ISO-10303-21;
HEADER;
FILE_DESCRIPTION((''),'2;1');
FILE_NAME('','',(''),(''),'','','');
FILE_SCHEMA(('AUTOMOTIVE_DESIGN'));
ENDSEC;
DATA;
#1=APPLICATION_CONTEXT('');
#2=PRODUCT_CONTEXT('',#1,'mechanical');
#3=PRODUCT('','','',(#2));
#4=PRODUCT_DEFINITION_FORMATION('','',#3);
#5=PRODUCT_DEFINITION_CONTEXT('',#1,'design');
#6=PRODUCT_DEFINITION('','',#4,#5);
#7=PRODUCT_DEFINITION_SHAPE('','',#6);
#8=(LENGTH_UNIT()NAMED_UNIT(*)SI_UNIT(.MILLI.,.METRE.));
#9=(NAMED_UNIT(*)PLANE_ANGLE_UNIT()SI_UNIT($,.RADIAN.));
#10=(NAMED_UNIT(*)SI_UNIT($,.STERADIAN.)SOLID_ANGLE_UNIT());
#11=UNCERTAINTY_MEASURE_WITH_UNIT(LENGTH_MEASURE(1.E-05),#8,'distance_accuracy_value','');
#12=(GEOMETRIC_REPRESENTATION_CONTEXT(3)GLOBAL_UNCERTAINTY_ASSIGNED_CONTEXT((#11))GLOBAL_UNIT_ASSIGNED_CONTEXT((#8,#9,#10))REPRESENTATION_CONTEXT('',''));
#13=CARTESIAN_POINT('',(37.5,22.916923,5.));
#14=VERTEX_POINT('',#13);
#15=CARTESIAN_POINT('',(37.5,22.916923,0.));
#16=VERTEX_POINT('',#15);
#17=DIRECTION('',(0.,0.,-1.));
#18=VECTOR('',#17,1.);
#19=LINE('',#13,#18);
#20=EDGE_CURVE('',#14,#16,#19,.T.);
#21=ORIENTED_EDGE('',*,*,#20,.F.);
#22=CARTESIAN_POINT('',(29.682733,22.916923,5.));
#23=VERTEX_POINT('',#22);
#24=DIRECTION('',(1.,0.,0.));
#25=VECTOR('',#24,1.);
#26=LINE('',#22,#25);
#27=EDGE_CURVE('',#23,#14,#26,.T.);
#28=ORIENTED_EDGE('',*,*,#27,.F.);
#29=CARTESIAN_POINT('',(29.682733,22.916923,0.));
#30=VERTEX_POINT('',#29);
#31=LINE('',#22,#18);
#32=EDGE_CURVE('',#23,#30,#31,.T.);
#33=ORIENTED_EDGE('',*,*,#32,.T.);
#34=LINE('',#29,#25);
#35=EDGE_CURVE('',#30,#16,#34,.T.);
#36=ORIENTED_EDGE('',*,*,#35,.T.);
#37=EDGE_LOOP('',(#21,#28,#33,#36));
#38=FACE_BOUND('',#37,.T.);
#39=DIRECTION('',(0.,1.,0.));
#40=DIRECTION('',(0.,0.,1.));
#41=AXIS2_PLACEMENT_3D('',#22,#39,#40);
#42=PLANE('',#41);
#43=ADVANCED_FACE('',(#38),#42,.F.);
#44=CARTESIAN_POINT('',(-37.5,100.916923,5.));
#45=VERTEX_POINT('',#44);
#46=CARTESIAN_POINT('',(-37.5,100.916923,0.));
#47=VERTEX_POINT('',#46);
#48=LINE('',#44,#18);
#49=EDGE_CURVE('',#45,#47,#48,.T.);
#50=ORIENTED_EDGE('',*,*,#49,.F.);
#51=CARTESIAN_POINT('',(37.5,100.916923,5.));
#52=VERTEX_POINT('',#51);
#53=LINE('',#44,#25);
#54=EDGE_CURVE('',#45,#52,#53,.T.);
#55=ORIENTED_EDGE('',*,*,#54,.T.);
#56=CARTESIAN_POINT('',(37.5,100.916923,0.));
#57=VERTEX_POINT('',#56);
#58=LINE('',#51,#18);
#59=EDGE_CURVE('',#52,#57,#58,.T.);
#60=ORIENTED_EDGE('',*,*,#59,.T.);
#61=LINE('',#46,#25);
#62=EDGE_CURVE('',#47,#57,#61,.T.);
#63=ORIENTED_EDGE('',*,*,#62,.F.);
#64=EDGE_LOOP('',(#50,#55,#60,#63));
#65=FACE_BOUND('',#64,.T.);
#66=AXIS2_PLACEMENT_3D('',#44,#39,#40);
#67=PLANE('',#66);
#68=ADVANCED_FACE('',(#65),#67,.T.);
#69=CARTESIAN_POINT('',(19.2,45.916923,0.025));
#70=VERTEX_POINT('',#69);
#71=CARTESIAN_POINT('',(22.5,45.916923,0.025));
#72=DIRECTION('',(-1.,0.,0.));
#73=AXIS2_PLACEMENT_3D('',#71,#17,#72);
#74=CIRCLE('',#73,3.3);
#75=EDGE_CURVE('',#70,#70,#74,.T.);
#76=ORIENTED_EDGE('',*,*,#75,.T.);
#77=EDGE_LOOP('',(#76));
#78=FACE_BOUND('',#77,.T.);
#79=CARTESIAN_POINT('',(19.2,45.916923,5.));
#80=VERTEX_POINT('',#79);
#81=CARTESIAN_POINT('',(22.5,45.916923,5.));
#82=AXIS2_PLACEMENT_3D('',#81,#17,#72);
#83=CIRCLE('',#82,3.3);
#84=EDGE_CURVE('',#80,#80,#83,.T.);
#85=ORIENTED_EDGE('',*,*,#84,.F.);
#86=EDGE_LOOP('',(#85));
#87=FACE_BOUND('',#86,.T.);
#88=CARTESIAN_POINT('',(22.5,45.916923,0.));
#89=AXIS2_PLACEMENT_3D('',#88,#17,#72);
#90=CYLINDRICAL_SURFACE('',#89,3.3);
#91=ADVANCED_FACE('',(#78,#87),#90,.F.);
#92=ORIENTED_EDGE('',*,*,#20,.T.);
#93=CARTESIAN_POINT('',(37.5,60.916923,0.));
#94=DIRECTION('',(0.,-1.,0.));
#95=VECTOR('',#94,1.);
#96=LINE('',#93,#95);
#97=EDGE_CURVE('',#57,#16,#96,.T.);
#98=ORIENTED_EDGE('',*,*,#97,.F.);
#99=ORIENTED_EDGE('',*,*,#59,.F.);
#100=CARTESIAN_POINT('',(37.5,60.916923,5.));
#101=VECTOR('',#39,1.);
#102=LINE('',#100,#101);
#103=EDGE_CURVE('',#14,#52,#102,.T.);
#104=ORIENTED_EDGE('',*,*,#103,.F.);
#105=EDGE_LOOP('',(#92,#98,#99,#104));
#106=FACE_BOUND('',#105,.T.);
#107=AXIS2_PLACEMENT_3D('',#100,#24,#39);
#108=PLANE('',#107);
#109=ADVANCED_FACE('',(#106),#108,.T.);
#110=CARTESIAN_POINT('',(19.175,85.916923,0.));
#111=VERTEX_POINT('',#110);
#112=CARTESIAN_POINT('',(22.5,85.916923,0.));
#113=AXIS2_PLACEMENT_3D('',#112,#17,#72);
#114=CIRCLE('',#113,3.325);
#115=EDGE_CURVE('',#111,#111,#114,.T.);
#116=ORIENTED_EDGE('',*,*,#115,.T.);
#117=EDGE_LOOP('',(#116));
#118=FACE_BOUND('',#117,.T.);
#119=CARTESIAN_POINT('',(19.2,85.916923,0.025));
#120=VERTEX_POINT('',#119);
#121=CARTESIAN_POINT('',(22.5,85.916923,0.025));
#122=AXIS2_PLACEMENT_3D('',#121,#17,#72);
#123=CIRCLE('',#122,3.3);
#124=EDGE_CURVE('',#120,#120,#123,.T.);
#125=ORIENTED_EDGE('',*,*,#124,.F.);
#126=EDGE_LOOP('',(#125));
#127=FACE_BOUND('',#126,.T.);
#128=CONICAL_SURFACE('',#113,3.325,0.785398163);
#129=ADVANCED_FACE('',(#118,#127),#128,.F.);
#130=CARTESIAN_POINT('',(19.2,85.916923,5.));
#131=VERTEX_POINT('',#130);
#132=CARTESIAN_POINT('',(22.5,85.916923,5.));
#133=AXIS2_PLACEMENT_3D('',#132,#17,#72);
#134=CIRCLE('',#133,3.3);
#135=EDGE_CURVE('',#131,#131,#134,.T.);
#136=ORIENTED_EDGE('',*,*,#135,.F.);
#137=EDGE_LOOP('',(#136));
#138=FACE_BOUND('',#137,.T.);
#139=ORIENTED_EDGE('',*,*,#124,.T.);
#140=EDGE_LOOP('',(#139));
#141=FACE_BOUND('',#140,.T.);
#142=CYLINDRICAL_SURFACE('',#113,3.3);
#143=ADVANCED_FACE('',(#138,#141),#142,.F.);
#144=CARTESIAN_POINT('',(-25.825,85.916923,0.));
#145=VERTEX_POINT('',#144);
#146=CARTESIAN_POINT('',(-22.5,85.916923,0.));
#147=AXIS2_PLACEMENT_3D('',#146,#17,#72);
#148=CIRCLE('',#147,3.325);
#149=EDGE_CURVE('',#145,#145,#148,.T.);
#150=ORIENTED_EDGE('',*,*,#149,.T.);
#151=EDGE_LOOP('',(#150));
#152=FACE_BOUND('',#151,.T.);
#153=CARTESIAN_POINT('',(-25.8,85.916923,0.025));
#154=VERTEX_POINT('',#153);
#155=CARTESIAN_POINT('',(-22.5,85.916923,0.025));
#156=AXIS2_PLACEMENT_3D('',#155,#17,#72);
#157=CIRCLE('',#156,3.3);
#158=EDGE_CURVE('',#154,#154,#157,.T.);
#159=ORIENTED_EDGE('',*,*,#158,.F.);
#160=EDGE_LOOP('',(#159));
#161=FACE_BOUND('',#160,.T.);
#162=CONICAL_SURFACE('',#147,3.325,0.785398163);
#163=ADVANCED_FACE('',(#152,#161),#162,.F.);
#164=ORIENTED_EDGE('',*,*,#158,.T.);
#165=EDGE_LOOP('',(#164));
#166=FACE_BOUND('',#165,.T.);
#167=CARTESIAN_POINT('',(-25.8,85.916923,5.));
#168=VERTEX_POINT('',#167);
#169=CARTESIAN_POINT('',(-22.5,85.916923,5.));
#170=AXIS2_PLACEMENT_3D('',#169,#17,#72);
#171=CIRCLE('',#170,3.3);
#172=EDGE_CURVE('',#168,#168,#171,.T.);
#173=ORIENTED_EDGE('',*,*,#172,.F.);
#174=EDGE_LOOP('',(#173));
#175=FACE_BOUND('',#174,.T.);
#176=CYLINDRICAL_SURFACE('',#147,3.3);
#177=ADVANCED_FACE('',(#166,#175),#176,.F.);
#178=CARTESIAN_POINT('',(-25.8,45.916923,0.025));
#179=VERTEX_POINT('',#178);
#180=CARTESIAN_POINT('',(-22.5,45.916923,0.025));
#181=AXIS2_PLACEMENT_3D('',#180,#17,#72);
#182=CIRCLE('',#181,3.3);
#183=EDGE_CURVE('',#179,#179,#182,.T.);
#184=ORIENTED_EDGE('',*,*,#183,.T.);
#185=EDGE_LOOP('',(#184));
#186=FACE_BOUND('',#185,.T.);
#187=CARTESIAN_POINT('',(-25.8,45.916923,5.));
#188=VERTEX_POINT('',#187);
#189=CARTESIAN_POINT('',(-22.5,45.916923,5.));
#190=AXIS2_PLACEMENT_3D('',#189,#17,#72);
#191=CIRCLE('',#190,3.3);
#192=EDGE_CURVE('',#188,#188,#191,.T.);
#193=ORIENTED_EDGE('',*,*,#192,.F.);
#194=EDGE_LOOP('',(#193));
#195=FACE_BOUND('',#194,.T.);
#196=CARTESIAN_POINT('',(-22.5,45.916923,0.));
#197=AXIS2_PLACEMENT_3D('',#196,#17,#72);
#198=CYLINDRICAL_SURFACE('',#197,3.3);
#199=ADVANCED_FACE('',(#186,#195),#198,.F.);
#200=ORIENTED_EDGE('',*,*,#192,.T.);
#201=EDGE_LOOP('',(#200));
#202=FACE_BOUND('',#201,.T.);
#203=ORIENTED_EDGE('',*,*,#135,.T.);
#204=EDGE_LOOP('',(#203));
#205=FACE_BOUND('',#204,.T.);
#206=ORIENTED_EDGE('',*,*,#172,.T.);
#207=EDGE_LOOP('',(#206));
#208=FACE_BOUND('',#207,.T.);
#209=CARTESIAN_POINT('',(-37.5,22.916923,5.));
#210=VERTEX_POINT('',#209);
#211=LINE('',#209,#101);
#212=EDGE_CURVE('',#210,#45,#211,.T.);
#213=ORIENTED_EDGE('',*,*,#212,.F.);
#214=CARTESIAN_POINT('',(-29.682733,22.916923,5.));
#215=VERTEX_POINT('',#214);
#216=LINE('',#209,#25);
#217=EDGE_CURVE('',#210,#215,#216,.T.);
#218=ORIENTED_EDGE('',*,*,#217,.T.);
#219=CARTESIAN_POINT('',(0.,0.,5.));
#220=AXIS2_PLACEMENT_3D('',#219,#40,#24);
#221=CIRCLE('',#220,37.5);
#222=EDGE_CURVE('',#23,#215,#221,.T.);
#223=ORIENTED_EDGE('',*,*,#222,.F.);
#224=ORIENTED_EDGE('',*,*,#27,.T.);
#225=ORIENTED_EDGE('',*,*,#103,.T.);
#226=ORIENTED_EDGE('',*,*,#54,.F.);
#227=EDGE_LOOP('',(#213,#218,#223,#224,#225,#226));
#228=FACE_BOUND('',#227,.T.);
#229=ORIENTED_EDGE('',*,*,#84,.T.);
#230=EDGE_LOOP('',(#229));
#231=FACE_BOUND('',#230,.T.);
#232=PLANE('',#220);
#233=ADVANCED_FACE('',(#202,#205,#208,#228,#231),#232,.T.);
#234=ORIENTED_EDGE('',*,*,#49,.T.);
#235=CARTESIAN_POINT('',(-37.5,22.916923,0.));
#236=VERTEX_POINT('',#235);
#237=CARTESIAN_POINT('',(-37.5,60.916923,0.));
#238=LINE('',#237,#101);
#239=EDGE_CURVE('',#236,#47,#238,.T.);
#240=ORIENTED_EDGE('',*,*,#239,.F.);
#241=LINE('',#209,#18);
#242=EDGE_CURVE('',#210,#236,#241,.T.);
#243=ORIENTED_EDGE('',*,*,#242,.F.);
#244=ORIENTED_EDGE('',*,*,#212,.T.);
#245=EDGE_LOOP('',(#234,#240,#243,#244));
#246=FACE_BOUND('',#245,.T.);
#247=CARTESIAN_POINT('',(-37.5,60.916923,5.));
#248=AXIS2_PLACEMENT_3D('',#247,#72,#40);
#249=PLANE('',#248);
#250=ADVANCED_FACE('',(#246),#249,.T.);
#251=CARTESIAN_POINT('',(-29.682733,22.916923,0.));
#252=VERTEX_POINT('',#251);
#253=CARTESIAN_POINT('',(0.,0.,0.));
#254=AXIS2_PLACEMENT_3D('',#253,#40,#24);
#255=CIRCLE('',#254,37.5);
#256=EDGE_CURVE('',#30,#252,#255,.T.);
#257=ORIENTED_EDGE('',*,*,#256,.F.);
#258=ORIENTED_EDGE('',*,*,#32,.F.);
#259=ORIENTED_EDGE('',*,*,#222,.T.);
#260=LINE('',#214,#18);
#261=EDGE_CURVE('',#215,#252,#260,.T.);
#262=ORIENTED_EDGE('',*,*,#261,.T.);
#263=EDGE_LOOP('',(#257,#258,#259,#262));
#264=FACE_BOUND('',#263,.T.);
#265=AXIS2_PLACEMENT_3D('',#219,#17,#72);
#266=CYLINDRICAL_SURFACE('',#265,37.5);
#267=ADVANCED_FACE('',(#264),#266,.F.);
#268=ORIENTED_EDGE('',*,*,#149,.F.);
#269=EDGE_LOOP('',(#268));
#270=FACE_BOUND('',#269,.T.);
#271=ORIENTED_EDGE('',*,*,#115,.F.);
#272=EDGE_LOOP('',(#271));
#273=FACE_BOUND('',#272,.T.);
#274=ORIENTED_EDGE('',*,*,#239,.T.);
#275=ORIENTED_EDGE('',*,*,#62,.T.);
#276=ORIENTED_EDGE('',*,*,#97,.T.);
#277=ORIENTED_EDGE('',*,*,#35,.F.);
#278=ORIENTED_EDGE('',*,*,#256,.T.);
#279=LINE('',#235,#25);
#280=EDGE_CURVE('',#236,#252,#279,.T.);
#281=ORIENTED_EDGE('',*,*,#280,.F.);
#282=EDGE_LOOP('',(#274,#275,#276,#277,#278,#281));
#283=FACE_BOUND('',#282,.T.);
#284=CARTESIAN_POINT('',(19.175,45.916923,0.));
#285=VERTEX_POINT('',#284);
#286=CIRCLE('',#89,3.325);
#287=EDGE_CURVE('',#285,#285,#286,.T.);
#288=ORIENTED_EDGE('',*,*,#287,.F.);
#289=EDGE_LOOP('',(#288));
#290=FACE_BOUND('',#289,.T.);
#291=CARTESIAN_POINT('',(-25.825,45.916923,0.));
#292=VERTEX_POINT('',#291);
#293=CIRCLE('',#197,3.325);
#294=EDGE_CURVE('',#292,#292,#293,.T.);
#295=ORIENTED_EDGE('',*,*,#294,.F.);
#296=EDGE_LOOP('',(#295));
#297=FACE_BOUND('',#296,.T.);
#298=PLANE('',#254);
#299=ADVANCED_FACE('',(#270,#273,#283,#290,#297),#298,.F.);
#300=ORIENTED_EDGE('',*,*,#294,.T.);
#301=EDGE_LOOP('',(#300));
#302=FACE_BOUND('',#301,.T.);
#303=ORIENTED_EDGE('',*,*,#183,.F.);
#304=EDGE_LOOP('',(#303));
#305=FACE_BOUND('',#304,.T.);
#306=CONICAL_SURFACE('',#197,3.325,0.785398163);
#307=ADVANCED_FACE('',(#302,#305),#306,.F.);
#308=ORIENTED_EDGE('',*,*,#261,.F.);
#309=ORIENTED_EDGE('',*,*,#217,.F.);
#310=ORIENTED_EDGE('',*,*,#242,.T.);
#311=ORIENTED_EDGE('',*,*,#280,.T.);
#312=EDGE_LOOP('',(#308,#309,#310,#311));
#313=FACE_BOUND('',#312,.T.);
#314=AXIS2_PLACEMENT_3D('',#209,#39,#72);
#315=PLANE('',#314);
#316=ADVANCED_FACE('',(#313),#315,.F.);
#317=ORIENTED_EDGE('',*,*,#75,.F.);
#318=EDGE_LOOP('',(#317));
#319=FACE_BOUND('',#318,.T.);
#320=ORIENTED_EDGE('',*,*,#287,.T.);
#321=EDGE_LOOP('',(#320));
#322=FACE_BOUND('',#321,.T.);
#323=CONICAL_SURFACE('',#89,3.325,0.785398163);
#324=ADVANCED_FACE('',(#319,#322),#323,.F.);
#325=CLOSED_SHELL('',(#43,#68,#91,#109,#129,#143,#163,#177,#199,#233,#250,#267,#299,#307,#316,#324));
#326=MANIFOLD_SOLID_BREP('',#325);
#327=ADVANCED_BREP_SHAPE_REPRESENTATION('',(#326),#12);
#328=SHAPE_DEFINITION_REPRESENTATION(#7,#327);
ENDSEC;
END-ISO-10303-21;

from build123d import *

# Parameters (mm, degrees)
BOSS_EXTRUDE1_DEPTH            = 5
M6_CLEARANCE_HOLE1_D           = 6.6
M6_CLEARANCE_HOLE1_CSINK_D     = 6.65
M6_CLEARANCE_HOLE1_CSINK_ANGLE = 90


with BuildPart() as part:
    # Sketch1 → Boss-Extrude1 (new body)
    with BuildSketch(Plane.XY):
        with BuildLine():
            Line((-37.5, 22.9169235), (-37.5, 60.9169235))
            Line((-37.5, 60.9169235), (-37.5, 100.9169235))
            Line((-37.5, 100.9169235), (37.5, 100.9169235))
            Line((37.5, 100.9169235), (37.5, 60.9169235))
            Line((37.5, 60.9169235), (37.5, 22.9169235))
            Line((37.5, 22.9169235), (29.682732645, 22.9169235))
            ThreePointArc((29.682732645, 22.9169235), (0, 37.5), (-29.682732645, 22.9169235))
            Line((-29.682732645, 22.9169235), (-37.5, 22.9169235))
        make_face()
    extrude(amount=BOSS_EXTRUDE1_DEPTH)

    # M6 Clearance Hole1 (through all)
    with Locations(Plane(origin=(0, 0, 0), x_dir=(-1, 0, 0), z_dir=(0, 0, -1))):
        with Locations((-22.5, 45.9169235), (22.5, 45.9169235), (22.5, 85.9169235), (-22.5, 85.9169235)):
            CounterSinkHole(M6_CLEARANCE_HOLE1_D / 2, M6_CLEARANCE_HOLE1_CSINK_D / 2, counter_sink_angle=M6_CLEARANCE_HOLE1_CSINK_ANGLE)


solid = part.part
